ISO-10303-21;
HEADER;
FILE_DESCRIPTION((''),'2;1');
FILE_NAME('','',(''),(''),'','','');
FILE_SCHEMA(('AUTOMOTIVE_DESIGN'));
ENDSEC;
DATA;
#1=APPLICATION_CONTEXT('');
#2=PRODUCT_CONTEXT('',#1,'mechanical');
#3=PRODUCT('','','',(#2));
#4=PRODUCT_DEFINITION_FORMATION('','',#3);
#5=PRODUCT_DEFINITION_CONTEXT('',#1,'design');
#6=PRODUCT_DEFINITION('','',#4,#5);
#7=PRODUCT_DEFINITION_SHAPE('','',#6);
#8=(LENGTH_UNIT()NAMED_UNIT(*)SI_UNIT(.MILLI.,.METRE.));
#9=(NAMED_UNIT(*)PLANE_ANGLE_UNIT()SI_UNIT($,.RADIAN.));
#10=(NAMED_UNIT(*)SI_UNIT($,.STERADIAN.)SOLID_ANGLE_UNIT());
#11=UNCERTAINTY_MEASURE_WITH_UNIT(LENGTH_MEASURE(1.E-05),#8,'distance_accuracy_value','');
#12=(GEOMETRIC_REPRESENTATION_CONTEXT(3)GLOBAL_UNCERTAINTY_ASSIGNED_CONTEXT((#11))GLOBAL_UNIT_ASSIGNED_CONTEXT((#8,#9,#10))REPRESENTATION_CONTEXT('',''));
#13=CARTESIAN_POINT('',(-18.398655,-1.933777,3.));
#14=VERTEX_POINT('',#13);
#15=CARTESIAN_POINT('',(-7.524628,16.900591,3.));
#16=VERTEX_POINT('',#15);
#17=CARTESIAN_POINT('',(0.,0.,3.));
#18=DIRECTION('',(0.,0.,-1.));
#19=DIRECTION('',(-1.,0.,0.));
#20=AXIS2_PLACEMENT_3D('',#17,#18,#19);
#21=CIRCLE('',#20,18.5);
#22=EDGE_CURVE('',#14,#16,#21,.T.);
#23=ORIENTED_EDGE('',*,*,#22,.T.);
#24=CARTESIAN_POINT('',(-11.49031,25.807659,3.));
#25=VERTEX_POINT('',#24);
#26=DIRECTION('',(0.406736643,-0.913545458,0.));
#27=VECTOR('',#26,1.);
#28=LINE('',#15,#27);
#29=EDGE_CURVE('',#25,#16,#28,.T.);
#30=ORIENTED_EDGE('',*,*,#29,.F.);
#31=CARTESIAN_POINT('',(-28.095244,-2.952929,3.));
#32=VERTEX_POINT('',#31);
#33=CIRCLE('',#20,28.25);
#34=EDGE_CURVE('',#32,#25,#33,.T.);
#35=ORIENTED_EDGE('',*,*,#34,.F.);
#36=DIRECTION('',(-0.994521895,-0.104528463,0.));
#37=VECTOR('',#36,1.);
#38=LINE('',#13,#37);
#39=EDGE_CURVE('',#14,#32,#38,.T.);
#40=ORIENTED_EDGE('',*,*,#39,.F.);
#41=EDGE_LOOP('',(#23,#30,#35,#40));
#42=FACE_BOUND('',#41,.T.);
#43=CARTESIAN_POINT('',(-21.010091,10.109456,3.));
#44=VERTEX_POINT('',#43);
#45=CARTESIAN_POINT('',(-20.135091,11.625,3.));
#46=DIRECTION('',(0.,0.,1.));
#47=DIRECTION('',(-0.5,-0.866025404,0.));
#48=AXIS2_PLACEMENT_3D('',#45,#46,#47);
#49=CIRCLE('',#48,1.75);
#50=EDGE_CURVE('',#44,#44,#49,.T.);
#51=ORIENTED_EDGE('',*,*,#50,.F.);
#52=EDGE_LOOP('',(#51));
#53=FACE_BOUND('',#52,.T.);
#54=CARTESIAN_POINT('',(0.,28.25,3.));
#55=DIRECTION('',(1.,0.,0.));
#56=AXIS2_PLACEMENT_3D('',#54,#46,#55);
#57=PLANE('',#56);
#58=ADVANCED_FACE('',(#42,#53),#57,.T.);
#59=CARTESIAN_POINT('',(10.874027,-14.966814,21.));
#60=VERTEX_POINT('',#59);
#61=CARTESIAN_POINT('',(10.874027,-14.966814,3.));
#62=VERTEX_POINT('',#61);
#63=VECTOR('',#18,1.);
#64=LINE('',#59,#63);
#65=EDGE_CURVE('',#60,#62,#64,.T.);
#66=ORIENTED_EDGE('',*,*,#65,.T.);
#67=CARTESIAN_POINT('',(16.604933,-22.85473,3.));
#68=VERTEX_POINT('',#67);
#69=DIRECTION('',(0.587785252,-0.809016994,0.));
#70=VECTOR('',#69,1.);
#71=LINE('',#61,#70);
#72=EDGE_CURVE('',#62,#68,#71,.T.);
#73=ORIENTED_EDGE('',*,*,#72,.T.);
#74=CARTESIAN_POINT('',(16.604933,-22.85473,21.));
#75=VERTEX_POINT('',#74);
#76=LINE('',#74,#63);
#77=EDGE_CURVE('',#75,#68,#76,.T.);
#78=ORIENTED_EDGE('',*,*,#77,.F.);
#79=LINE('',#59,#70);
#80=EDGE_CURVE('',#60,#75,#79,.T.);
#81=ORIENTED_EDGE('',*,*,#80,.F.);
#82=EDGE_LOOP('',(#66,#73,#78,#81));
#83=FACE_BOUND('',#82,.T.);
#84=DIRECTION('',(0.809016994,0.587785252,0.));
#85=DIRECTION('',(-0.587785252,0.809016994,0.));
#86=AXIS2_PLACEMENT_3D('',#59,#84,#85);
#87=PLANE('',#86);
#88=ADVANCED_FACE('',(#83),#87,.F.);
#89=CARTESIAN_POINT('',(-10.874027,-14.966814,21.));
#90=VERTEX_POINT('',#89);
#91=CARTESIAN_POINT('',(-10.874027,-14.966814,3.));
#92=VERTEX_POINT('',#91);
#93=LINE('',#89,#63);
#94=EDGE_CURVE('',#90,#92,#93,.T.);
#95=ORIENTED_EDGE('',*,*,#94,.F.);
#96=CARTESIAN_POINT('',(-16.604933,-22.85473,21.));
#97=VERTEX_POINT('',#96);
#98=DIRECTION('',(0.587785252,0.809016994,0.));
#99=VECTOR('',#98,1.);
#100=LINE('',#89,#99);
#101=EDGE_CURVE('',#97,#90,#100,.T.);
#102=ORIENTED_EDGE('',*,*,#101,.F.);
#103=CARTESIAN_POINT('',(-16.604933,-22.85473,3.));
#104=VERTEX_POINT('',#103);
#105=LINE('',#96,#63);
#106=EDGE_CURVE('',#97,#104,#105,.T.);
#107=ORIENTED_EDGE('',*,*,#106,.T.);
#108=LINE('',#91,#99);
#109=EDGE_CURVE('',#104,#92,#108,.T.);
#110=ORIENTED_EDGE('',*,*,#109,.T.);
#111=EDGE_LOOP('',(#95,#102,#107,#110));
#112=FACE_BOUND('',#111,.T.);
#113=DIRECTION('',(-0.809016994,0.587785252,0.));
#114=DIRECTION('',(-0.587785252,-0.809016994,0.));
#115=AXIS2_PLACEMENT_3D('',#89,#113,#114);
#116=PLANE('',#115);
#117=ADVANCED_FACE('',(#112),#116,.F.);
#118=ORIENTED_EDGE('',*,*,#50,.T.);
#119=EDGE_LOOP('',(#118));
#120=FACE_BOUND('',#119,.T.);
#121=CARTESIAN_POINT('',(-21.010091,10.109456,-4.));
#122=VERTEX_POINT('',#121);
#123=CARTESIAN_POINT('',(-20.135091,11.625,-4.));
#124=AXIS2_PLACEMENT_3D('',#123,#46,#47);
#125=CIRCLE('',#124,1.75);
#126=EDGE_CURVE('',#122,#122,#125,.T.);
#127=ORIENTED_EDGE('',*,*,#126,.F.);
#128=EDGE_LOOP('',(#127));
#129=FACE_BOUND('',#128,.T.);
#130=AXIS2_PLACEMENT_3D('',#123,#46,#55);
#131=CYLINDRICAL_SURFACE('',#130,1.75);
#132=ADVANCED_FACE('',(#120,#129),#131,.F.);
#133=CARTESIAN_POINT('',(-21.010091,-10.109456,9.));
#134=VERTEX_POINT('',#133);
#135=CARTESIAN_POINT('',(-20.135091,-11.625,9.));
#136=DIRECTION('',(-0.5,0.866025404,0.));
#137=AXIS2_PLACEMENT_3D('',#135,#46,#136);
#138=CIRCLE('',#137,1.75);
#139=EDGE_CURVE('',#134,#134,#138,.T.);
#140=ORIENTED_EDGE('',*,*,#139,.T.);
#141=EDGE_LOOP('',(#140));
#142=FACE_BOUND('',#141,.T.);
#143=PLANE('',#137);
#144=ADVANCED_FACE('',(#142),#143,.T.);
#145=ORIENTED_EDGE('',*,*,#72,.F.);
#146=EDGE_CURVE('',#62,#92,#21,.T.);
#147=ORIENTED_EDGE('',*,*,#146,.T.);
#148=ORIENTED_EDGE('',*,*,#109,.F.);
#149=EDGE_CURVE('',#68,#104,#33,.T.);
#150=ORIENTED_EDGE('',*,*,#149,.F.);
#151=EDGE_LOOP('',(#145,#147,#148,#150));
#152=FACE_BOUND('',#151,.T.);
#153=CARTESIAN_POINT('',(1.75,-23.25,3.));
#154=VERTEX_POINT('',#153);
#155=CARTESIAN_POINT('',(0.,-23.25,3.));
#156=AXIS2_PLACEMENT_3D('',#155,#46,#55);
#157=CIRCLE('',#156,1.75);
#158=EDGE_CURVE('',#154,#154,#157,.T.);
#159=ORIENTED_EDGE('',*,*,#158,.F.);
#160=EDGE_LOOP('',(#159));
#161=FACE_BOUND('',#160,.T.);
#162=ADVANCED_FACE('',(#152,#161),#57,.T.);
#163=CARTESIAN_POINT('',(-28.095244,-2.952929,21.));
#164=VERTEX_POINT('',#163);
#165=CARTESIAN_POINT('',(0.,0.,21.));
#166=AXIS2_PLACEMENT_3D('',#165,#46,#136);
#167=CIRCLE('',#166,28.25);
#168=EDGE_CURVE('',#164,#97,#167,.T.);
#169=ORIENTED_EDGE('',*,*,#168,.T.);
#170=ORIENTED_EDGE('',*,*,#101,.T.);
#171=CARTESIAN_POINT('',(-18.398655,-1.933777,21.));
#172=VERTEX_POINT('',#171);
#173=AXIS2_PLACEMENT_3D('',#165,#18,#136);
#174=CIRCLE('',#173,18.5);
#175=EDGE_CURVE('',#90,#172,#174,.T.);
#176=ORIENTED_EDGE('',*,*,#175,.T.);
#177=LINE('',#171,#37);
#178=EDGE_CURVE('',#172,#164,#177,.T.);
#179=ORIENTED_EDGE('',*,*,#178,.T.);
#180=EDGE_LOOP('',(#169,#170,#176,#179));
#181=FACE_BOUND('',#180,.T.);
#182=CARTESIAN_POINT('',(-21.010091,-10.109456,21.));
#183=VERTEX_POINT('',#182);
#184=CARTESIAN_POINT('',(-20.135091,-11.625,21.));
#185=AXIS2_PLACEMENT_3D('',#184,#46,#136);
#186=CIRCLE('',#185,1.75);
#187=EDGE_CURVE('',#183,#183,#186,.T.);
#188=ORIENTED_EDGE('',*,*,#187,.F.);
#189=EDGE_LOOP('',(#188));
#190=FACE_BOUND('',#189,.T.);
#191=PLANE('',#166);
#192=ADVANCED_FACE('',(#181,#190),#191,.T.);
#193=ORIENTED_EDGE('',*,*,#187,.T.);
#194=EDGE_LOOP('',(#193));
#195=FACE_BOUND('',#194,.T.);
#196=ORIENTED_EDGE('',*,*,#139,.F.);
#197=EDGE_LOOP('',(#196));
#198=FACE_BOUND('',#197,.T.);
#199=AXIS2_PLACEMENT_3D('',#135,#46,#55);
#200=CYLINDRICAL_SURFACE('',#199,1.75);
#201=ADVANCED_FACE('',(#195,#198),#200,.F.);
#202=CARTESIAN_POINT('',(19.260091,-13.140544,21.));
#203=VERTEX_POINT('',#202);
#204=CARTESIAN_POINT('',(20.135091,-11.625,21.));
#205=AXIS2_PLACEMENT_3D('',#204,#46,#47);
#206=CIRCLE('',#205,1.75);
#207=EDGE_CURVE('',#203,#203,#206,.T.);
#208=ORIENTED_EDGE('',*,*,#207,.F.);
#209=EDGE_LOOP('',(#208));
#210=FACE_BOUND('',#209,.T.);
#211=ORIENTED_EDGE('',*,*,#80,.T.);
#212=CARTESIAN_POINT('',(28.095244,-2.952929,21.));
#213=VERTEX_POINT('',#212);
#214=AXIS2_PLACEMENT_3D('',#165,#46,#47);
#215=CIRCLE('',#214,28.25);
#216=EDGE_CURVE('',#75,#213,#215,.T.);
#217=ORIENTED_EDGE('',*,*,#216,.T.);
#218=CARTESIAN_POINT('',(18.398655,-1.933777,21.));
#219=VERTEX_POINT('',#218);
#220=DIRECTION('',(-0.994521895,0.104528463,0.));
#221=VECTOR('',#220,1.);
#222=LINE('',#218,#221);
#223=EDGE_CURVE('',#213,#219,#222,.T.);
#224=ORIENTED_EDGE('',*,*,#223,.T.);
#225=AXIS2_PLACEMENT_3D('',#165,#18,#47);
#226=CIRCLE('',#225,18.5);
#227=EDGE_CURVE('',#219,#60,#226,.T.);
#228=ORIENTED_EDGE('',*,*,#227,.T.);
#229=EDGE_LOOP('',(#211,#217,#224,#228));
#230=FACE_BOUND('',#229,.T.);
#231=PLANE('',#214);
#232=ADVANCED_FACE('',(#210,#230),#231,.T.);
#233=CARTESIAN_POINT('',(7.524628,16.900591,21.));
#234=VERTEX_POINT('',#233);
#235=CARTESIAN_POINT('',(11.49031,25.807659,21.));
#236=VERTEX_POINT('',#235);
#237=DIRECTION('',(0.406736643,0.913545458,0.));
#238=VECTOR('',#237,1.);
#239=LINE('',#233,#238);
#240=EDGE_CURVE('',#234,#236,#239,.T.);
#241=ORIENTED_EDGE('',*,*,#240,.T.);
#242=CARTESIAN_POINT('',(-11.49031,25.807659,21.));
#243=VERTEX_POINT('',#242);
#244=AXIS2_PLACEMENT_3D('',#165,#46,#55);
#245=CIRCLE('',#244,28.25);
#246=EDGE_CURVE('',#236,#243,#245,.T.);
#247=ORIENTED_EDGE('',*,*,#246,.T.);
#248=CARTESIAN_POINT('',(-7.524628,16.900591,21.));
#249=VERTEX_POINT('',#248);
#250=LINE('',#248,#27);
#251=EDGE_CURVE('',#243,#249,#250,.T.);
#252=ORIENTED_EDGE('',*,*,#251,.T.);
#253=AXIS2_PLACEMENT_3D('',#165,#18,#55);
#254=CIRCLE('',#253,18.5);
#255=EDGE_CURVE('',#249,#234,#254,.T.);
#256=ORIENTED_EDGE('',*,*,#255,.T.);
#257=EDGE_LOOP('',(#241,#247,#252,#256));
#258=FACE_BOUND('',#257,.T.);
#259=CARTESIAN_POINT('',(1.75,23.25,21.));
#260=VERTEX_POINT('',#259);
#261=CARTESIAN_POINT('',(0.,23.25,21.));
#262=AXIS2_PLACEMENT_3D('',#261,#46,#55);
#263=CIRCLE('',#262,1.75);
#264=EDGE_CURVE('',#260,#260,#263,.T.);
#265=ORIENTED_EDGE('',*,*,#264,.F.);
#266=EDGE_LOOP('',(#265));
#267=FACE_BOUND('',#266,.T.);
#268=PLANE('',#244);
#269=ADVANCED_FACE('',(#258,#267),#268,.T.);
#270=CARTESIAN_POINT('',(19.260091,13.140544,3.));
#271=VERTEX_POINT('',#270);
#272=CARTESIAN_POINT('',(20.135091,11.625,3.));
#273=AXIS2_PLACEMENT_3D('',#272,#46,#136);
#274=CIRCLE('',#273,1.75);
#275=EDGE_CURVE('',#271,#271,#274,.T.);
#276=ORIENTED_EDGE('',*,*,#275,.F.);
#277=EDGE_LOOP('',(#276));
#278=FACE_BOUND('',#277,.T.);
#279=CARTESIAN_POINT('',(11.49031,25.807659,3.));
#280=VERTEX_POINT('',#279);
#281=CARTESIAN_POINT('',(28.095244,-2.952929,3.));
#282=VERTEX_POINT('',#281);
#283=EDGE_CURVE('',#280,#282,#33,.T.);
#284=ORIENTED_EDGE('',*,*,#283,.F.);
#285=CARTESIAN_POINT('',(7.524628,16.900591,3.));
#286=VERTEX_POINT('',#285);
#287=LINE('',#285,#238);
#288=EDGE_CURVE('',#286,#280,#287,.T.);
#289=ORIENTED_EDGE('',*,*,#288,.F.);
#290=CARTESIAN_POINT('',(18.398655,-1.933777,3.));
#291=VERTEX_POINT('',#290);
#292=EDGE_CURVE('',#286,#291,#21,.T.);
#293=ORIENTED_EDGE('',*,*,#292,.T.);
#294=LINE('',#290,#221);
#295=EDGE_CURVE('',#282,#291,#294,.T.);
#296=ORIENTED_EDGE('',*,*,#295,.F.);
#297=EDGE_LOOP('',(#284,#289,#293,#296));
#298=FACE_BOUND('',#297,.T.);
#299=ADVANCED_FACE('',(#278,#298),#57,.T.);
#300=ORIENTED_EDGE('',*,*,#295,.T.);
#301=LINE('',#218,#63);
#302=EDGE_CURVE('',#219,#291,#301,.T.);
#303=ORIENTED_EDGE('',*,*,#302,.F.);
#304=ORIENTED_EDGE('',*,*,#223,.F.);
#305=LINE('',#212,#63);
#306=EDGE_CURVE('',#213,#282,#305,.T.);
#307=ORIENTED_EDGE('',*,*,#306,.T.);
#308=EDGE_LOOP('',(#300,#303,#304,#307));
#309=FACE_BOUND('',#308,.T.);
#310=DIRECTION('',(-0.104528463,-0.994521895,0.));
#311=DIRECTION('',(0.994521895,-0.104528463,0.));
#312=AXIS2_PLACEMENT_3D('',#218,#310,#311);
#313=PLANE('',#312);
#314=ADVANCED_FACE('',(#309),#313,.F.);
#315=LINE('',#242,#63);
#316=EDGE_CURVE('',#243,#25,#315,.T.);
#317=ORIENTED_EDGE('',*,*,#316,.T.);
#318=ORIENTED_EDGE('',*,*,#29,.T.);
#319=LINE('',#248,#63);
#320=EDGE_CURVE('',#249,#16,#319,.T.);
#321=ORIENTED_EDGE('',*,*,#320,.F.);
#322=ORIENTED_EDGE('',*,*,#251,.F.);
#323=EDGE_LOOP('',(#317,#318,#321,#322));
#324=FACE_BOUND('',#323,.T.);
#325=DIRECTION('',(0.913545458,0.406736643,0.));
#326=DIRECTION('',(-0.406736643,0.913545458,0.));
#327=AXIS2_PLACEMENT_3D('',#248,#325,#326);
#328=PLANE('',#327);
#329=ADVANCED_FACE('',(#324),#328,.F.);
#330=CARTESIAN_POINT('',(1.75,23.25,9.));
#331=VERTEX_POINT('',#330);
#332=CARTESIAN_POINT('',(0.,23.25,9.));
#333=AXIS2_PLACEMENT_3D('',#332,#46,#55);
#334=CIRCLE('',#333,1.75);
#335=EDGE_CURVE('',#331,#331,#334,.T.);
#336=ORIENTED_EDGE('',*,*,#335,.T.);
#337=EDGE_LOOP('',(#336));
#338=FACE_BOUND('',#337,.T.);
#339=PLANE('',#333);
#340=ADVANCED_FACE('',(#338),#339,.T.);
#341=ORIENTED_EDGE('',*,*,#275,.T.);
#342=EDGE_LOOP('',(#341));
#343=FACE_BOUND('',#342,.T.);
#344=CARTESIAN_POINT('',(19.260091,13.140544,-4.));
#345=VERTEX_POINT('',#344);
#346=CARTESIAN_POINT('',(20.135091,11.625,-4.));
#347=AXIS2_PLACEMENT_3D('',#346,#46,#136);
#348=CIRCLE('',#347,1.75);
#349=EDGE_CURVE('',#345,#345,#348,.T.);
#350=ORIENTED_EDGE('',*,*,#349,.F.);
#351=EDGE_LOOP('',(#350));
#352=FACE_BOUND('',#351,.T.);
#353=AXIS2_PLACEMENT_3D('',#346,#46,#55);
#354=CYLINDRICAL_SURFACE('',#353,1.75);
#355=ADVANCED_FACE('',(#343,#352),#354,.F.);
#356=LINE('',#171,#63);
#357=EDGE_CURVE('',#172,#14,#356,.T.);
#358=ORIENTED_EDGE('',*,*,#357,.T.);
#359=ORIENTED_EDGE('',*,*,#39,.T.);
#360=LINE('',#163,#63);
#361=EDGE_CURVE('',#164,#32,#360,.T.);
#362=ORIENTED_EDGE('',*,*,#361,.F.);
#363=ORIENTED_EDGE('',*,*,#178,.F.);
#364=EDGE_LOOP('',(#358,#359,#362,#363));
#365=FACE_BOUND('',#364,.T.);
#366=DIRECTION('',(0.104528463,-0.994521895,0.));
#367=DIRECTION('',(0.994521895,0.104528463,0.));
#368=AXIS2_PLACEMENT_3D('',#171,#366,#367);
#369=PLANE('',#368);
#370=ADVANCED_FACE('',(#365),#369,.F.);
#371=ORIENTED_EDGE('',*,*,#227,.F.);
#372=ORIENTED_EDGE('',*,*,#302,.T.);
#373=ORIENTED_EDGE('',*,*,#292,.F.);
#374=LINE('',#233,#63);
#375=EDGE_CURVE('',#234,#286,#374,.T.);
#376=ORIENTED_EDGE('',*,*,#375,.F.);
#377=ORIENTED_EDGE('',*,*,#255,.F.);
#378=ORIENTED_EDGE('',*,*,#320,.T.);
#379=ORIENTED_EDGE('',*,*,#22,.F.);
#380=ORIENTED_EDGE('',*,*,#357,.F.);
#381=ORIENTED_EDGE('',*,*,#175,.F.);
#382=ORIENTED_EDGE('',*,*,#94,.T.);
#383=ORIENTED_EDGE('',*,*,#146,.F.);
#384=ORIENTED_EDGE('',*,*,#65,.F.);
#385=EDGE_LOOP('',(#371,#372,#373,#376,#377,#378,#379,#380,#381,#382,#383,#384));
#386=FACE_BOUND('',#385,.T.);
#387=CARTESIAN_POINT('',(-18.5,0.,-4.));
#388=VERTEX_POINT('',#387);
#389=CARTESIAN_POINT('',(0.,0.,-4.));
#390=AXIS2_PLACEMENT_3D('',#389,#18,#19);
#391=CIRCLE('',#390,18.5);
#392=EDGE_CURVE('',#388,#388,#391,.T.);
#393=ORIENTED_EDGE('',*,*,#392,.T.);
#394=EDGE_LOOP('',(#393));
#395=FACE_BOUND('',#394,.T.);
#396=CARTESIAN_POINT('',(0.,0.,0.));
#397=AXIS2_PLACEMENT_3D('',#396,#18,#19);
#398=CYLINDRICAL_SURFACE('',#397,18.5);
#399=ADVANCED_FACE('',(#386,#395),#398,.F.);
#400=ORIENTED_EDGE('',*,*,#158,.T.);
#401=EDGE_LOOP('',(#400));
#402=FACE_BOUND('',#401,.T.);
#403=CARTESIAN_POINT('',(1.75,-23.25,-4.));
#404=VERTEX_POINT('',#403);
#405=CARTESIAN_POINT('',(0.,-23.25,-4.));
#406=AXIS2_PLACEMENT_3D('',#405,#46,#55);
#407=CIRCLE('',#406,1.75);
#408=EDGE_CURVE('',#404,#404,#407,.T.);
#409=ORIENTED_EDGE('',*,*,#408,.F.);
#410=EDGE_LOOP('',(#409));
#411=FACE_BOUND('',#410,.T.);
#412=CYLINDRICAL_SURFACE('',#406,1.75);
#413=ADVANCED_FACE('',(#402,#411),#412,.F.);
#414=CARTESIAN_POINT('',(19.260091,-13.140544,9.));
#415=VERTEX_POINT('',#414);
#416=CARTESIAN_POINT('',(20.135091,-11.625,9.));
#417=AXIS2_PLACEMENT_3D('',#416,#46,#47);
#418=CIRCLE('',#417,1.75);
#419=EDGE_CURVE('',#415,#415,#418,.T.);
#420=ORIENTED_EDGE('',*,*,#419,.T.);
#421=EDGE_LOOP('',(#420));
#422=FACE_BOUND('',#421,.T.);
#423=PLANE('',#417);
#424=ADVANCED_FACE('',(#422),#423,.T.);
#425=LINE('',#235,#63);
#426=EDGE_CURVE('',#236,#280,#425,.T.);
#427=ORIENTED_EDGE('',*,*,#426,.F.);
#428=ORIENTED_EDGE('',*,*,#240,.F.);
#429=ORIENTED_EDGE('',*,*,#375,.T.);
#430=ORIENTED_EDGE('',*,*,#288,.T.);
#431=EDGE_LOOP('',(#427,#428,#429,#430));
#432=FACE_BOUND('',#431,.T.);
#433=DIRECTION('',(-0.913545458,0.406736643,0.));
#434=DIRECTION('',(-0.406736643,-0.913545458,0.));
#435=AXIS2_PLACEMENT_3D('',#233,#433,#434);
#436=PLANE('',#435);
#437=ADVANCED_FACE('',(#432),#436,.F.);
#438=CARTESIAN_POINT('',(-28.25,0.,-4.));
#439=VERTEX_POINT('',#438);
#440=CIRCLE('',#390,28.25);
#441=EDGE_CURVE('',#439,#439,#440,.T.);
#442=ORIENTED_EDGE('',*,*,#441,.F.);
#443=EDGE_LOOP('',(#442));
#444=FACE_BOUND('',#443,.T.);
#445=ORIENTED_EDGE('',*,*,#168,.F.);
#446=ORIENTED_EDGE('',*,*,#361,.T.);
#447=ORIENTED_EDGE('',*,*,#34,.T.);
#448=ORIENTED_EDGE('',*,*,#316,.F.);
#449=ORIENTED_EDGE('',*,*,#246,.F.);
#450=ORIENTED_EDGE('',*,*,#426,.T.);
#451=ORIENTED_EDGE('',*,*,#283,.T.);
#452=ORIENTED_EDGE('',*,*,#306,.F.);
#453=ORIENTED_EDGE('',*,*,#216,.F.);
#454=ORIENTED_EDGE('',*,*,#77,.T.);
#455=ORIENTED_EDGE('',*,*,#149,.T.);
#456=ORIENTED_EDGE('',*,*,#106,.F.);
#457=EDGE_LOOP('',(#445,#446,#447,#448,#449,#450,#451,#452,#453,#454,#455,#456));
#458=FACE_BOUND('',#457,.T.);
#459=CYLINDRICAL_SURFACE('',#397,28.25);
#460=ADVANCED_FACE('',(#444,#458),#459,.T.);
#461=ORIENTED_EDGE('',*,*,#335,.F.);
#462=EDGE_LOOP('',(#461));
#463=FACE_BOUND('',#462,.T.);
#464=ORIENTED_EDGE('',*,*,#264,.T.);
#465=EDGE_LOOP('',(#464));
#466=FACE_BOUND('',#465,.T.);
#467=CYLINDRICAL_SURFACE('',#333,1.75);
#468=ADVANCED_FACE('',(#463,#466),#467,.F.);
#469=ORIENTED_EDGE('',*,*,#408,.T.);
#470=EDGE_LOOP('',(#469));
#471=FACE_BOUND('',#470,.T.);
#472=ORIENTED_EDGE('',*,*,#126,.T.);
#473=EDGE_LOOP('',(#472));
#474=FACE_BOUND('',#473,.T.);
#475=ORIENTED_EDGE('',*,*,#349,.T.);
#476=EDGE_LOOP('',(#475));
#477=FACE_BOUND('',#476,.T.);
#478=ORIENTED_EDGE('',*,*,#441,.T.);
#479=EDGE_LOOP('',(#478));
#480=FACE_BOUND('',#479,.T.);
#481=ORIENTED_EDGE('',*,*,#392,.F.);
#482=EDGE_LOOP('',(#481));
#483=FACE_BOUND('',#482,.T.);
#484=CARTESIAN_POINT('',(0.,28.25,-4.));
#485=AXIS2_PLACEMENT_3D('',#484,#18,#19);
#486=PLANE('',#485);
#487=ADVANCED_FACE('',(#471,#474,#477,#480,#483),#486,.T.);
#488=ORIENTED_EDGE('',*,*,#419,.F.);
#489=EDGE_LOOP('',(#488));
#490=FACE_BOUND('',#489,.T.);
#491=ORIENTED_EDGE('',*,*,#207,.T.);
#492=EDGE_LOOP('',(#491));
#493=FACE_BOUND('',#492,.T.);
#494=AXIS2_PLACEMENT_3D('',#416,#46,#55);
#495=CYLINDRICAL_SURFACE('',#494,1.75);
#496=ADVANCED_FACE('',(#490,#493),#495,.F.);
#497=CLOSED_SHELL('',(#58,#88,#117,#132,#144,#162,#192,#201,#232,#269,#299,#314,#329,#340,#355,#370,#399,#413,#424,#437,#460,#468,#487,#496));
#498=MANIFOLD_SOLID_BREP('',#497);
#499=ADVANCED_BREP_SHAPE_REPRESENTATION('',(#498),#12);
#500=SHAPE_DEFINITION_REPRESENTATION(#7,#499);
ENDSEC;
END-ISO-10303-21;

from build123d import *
from build123d.topology import SkipClean

# Parameters (mm, degrees)
BOSS_EXTRUDE1_DEPTH = 18
CIRPATTERN1_COUNT   = 3
SKETCH4_R           = 1.75
CUT_EXTRUDE1_DEPTH  = 12
CIRPATTERN2_COUNT   = 3
SKETCH5_R           = 1.75
CUT_EXTRUDE2_DEPTH  = 44.819230938
CIRPATTERN3_COUNT   = 3


with BuildPart() as part:
    # Sketch2 → Revolve1 (revolve)
    with BuildSketch(Plane(origin=(0, 0, 0), x_dir=(0, 0, -1), z_dir=(1, 0, 0))):
        Polygon((0, 28.25), (-3, 28.25), (-3, 18.5), (0, 18.5), (4, 18.5), (4, 28.25), align=None)
    revolve(axis=Axis((0, 0, 0), (0, 0, 1)))

    # Sketch3 → Boss-Extrude1 (add)
    with BuildSketch(Plane.XY.offset(3)):
        with BuildLine():
            Line((-7.524627897, 16.900590966), (-11.490310167, 25.807659178))
            ThreePointArc((-11.490310167, 25.807659178), (0, 28.25), (11.490310167, 25.807659178))
            Line((11.490310167, 25.807659178), (7.524627897, 16.900590966))
            ThreePointArc((7.524627897, 16.900590966), (0, 18.5), (-7.524627897, 16.900590966))
        make_face()
    boss_extrude1 = extrude(amount=BOSS_EXTRUDE1_DEPTH)

    # CirPattern1: Boss-Extrude1 ×3 about axis
    with SkipClean():  # the faces are left unmerged after this step: merging them gives an invalid solid
        cirpattern1_axis = Axis((0, 0, 3), (0, 0, -1))
        for i in range(1, CIRPATTERN1_COUNT):
            add(boss_extrude1.rotate(cirpattern1_axis, i * 360 / CIRPATTERN1_COUNT))

    # Sketch4 → Cut-Extrude1 (cut)
    with SkipClean():  # the faces are left unmerged after this step: merging them gives an invalid solid
        with BuildSketch(Plane.XY.offset(21)):
            with Locations((0, 23.25)):
                Circle(SKETCH4_R)
        cut_extrude1 = extrude(amount=-CUT_EXTRUDE1_DEPTH, mode=Mode.SUBTRACT)

    # CirPattern2: Cut-Extrude1 ×3 about axis
    with SkipClean():  # the faces are left unmerged after this step: merging them gives an invalid solid
        cirpattern2_axis = Axis((0, 0, -4), (0, 0, -1))
        for i in range(1, CIRPATTERN2_COUNT):
            add(cut_extrude1.rotate(cirpattern2_axis, i * 360 / CIRPATTERN2_COUNT), mode=Mode.SUBTRACT)

    # Sketch5 → Cut-Extrude2 (cut, through all)
    with SkipClean():  # the faces are left unmerged after this step: merging them gives an invalid solid
        with BuildSketch(Plane.XY.offset(3)):
            with Locations((0, -23.25)):
                Circle(SKETCH5_R)
        cut_extrude2 = extrude(amount=-CUT_EXTRUDE2_DEPTH, mode=Mode.SUBTRACT)

    # CirPattern3: Cut-Extrude2 ×3 about axis
    with SkipClean():  # the faces are left unmerged after this step: merging them gives an invalid solid
        cirpattern3_axis = Axis((0, 0, -4), (0, 0, -1))
        for i in range(1, CIRPATTERN3_COUNT):
            add(cut_extrude2.rotate(cirpattern3_axis, i * 360 / CIRPATTERN3_COUNT), mode=Mode.SUBTRACT)


solid = part.part
